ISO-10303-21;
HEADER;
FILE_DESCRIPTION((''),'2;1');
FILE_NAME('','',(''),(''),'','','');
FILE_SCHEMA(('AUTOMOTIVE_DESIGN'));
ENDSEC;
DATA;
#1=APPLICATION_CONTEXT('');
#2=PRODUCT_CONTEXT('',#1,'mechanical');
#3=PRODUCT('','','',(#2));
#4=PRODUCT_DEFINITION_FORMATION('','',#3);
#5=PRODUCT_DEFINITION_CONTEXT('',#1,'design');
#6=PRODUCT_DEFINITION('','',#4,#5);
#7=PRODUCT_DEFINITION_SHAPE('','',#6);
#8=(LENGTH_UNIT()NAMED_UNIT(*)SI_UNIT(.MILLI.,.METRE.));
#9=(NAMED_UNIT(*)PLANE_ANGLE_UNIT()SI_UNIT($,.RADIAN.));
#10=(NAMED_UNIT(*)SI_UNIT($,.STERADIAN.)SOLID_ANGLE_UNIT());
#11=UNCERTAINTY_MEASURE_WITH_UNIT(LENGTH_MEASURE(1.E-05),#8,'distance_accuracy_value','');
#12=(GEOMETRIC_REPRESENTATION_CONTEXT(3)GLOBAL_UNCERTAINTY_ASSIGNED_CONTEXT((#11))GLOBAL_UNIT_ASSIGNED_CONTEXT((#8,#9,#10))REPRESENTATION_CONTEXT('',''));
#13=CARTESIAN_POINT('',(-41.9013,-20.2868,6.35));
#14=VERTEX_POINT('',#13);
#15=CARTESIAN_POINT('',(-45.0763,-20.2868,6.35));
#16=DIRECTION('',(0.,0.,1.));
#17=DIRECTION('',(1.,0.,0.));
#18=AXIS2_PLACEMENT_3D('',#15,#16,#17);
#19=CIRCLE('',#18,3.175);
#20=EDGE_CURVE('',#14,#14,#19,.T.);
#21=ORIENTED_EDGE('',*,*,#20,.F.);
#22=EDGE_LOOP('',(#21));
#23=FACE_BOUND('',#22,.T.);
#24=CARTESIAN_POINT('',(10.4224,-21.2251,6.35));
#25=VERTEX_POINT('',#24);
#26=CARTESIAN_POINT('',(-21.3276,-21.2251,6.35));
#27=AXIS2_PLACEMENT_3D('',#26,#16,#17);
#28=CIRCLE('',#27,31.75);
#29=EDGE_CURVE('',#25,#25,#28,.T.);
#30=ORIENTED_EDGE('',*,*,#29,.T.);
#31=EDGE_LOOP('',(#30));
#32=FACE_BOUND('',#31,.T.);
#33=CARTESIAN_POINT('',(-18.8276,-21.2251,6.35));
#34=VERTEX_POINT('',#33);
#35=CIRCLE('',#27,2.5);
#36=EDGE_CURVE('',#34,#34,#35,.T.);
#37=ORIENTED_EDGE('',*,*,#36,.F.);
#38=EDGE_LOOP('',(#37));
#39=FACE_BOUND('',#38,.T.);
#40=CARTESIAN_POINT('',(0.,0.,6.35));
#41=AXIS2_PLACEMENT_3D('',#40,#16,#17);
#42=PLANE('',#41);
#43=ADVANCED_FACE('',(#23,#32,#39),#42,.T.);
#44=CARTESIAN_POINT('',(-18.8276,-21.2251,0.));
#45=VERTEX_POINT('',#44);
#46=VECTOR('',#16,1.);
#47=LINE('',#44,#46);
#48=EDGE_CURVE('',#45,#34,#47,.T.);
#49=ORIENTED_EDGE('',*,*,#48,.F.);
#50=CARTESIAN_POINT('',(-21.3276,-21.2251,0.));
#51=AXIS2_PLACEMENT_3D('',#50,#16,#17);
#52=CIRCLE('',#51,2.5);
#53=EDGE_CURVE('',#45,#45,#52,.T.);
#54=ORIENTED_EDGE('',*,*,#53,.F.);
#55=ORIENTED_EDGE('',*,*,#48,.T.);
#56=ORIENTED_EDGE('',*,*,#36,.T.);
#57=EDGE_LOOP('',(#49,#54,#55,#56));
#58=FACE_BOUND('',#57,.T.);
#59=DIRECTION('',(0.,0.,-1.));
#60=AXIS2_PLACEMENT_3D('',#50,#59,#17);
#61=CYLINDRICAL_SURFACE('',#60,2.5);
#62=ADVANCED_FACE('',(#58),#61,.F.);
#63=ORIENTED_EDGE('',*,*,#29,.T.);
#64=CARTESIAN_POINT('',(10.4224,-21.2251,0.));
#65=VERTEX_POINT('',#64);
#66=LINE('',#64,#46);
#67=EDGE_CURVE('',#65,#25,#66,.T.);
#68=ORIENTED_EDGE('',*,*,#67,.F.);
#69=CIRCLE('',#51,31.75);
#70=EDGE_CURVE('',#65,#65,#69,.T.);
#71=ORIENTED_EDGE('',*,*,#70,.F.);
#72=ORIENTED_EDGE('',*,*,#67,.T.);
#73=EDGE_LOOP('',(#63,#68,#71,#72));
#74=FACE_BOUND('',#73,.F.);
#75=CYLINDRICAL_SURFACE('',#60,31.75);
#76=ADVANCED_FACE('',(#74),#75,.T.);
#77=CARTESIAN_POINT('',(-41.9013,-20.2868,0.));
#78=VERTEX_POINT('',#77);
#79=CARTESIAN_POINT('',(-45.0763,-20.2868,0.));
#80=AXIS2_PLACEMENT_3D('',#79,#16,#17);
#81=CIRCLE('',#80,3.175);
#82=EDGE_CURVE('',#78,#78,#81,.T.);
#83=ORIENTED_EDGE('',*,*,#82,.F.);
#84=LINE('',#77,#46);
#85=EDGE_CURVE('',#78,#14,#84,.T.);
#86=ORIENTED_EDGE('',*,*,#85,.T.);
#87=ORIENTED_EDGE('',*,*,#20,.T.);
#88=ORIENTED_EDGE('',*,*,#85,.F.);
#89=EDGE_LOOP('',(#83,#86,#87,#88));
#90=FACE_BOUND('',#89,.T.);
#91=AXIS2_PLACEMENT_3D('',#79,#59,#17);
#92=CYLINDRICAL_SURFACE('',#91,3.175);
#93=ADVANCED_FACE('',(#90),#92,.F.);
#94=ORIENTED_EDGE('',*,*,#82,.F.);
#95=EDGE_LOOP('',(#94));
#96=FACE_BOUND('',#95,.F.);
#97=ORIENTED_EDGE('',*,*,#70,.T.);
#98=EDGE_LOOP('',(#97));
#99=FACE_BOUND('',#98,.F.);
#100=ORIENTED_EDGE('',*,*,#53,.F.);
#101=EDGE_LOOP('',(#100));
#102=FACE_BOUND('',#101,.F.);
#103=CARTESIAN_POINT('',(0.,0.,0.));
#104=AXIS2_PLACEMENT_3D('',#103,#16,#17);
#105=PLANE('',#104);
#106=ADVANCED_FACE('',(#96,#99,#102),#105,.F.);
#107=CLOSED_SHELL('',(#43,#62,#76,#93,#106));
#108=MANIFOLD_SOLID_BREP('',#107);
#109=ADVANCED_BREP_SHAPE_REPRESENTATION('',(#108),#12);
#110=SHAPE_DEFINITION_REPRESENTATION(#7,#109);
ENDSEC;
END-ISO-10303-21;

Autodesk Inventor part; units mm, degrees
ref_plane "YZ Plane" through (0, 0, 0) normal (1, 0, 0) x (0, 1, 0)
ref_plane "XZ Plane" through (0, 0, 0) normal (0, 1, 0) x (-1, 0, 0)
ref_plane "XY Plane" through (0, 0, 0) normal (0, 0, 1) x (1, 0, 0)
sketch "Sketch1" plane through (0, 0, 0) normal (0, 0, 1) x (1, 0, 0)
  circle A0 centre (-21.3276, -21.2251) radius 2.5 projected
  circle A1 centre (-45.0763, -20.2868) radius 3.175 projected
  circle A2 centre (-21.3276, -21.2251) radius 31.75
  point P0 (0, 0)
  dimension "d0" = 63.5
extrude "Extrusion1" add sketch "Sketch1" along normal blind 6.35
properties part number "tiltBoxGearSpacerBlock"
